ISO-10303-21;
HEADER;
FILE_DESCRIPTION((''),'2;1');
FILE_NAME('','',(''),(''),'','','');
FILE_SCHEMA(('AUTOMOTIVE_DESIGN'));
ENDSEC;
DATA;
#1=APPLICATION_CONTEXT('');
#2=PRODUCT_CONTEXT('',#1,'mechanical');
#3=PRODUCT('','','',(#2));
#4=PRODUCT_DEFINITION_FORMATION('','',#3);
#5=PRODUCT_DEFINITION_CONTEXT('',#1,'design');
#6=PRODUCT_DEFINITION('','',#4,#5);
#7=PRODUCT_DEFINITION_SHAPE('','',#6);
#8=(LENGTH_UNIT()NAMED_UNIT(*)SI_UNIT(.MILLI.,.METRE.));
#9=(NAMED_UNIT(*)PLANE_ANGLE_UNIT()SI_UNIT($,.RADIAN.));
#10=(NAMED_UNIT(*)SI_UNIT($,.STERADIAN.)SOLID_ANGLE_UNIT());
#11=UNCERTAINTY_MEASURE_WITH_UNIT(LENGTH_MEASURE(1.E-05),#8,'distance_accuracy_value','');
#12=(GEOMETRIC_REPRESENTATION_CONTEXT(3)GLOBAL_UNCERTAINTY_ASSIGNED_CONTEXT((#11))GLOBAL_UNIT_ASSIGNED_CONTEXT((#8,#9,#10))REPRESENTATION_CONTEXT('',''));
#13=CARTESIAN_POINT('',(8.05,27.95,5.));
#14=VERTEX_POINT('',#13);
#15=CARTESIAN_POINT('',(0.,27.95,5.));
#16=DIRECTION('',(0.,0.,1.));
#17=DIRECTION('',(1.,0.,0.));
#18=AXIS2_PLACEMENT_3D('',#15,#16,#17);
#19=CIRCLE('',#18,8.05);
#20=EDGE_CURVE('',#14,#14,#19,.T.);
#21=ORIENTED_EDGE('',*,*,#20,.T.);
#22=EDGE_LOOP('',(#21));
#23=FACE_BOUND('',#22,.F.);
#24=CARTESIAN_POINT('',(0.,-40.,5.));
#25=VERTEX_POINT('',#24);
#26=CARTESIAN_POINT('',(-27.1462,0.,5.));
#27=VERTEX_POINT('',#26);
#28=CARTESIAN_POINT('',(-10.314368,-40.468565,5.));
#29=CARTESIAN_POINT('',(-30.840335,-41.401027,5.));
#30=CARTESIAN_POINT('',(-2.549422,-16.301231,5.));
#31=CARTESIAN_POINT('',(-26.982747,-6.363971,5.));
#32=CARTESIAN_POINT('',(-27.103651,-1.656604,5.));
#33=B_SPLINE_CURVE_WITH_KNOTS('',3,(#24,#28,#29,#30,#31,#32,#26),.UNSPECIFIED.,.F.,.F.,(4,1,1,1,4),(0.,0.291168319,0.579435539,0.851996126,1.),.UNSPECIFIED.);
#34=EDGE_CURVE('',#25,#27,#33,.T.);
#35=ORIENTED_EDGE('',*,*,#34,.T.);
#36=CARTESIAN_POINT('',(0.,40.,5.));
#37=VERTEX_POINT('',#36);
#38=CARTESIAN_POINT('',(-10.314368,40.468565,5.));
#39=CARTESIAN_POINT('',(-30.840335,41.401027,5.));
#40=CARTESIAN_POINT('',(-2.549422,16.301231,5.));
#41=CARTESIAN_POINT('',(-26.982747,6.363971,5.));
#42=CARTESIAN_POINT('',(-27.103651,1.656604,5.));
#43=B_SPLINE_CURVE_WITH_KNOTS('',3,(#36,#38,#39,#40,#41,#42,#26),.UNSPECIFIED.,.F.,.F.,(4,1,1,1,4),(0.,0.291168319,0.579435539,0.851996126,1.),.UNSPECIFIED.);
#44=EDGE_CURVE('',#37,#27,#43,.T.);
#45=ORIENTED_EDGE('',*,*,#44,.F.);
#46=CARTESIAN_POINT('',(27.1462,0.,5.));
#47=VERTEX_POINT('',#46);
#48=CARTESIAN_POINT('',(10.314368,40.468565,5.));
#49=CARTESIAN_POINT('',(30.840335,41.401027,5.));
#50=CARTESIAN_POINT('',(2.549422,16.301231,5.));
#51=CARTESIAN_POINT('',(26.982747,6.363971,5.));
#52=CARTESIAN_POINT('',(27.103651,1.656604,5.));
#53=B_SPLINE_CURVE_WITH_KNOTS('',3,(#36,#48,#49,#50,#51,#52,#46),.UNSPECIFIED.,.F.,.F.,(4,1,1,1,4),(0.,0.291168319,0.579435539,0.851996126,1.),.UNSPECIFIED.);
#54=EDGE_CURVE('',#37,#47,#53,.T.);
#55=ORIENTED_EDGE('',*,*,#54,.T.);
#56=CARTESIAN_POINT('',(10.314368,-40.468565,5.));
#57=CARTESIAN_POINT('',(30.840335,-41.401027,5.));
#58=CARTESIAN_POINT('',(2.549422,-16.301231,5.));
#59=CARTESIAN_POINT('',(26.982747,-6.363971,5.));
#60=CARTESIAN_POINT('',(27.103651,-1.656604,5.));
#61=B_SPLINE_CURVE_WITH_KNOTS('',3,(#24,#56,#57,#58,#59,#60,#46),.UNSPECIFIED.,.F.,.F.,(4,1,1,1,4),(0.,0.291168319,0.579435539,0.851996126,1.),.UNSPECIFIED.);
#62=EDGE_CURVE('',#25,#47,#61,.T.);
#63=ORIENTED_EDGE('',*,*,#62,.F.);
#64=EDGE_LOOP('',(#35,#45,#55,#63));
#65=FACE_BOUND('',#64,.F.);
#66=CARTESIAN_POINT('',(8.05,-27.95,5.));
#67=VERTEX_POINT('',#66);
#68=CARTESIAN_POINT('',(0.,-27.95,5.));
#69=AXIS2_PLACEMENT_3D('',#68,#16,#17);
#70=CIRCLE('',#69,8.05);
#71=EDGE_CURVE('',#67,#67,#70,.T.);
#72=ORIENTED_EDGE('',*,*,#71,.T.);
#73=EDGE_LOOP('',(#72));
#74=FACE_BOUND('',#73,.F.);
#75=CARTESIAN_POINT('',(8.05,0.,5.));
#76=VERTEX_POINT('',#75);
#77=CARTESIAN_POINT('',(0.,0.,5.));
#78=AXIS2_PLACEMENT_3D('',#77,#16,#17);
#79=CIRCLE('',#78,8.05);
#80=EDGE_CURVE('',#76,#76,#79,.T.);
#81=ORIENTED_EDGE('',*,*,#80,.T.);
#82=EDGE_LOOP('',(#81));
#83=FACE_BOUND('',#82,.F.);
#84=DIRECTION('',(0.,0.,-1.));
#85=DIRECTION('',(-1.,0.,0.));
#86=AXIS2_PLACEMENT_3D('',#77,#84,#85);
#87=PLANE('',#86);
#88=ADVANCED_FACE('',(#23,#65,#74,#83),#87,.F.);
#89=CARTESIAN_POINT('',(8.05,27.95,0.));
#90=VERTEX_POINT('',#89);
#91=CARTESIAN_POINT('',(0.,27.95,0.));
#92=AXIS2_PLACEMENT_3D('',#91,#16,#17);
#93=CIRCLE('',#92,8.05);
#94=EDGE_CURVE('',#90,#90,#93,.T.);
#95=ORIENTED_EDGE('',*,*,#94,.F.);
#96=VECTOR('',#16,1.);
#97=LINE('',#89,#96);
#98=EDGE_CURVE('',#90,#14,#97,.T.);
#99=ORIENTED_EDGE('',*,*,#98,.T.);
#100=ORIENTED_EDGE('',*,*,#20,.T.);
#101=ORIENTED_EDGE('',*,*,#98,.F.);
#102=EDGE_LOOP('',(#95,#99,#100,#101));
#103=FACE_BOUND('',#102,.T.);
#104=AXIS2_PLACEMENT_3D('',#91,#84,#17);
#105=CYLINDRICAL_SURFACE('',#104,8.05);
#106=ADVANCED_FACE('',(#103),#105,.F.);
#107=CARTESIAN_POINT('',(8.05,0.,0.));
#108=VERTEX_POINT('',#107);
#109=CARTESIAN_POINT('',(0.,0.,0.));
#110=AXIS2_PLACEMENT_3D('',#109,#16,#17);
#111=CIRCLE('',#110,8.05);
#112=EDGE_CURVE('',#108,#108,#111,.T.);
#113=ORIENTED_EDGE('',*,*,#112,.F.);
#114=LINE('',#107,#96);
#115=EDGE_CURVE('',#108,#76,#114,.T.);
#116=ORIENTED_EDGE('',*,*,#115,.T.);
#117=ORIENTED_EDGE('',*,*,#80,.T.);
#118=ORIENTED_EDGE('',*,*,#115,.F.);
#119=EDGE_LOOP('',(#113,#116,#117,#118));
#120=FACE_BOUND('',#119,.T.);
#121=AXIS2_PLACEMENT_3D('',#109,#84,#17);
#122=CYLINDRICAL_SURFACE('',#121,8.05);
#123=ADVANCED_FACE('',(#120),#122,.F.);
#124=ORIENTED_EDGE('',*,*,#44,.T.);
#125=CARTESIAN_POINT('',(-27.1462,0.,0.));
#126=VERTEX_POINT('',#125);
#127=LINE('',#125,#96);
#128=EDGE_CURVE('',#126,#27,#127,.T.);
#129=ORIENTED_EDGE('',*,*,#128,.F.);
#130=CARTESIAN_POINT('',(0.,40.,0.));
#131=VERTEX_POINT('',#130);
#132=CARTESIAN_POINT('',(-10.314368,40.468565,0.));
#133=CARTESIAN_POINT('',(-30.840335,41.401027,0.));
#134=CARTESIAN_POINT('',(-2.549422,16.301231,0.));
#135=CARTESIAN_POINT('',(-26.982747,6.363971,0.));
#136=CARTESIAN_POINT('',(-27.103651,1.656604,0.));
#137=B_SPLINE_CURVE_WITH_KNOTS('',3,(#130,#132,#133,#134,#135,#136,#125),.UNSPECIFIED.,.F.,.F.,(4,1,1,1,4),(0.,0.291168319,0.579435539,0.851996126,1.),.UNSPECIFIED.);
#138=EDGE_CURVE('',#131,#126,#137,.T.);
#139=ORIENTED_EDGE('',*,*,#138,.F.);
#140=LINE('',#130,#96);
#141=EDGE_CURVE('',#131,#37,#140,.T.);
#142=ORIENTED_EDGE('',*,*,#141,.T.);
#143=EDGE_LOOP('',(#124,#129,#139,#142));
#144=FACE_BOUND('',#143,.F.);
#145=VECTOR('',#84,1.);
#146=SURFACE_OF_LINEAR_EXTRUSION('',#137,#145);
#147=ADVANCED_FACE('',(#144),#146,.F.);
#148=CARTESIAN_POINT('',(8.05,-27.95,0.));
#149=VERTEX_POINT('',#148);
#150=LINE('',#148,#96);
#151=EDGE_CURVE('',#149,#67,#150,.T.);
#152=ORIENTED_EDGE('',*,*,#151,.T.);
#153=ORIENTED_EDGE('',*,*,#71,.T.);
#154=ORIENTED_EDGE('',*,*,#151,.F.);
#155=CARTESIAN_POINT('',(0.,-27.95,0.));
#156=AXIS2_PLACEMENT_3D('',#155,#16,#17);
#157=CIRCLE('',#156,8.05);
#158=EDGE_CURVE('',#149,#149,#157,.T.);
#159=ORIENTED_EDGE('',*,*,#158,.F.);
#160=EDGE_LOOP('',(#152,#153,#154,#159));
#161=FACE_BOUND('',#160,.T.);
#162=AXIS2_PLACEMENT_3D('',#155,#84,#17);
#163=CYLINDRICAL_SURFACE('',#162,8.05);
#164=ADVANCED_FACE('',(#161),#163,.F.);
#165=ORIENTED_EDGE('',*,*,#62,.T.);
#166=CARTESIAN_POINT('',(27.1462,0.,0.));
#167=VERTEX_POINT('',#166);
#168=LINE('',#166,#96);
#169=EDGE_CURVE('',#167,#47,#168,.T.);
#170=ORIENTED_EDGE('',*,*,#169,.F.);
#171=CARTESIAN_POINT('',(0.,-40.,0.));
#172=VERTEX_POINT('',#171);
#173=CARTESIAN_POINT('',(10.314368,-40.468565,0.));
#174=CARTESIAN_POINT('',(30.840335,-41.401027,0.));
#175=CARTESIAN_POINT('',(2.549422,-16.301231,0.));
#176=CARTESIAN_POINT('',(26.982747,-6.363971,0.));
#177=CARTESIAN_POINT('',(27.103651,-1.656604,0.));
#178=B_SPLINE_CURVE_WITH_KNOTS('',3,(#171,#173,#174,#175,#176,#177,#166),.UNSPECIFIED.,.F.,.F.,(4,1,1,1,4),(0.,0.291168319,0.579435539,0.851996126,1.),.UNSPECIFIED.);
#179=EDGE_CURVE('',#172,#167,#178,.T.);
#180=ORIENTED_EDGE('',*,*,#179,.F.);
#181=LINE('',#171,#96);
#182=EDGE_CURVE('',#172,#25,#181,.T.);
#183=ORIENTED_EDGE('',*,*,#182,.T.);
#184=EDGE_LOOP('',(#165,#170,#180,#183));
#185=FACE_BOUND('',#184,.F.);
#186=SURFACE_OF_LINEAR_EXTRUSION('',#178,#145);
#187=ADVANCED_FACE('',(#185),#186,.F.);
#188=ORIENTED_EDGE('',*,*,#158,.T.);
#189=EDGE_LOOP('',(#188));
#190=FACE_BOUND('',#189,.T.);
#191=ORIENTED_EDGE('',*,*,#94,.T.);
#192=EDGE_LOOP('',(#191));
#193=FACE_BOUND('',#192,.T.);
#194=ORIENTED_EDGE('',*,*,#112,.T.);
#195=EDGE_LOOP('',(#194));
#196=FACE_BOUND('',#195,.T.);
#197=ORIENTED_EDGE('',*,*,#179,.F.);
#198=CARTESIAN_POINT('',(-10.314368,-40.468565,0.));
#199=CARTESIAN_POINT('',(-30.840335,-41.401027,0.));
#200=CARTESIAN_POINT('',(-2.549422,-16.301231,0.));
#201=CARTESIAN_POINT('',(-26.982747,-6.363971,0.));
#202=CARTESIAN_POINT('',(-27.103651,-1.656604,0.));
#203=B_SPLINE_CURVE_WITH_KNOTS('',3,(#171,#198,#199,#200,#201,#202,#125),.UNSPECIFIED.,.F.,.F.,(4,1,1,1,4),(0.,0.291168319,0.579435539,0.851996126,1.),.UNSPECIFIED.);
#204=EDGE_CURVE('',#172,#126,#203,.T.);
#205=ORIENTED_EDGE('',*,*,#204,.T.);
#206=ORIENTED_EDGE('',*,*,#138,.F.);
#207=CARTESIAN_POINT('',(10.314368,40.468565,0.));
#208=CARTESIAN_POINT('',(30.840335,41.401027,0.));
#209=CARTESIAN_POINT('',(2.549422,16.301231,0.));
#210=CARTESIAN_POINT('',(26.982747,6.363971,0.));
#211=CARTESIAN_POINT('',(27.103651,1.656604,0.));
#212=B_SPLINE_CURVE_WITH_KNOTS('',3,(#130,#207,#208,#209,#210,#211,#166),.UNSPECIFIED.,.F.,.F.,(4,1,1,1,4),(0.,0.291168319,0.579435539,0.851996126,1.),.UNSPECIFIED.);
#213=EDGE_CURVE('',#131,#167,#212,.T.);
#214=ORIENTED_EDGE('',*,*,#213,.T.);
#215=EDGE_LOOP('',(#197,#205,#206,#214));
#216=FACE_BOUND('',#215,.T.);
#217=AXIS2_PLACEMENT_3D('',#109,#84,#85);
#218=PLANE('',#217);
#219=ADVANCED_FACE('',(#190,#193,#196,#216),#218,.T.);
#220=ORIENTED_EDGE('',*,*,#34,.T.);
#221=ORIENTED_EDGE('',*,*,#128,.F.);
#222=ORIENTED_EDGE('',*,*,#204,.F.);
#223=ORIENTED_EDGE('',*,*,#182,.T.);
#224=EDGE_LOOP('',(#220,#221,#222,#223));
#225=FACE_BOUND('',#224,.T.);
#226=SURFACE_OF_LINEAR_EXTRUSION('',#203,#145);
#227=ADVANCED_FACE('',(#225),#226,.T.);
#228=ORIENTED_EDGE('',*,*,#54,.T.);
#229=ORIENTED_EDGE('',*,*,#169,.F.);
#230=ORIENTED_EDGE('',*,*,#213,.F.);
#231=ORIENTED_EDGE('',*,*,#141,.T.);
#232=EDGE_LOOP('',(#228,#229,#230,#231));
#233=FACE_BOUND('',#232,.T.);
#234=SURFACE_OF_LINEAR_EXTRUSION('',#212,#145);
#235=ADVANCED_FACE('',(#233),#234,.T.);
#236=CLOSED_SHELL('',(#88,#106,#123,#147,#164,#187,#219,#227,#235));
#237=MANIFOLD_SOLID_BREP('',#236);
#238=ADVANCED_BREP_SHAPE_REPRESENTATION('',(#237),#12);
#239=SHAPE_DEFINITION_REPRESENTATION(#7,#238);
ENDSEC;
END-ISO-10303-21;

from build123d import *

# Parameters (mm, degrees)
F0_R     = 16.05
F0_R_2   = 8.05
F1_DEPTH = 5
F2_DEPTH = 5


with BuildPart() as f1:
    # F0 (on Top) → F1 (new body)
    with BuildSketch(Plane.XY):
        Circle(F0_R)
        Circle(F0_R_2, mode=Mode.SUBTRACT)
    extrude(amount=F1_DEPTH)

    # F0 (on Top) → F2 (join)
    with BuildSketch(Plane.XY):
        with BuildLine():
            add(Edge.make_bspline(
                [(0, 40), (10.3143678116, 40.4685651622), (30.840334671, 41.4010268668), (2.5494223409, 16.301231422), (26.9827468064, 6.3639706727), (27.1036513336, 1.6566035326), (27.1461997181, 0)],
                knots=[0, 0, 0, 0, 0.2911683192, 0.5794355387, 0.8519961262, 1, 1, 1, 1], degree=3))
            add(Edge.make_bspline(
                [(0, 40), (-10.3143678116, 40.4685651622), (-30.840334671, 41.4010268668), (-2.5494223409, 16.301231422), (-26.9827468064, 6.3639706727), (-27.1036513336, 1.6566035326), (-27.1461997181, 0)],
                knots=[0, 0, 0, 0, 0.2911683192, 0.5794355387, 0.8519961262, 1, 1, 1, 1], degree=3))
            add(Edge.make_bspline(
                [(0, -40), (-10.3143678116, -40.4685651622), (-30.840334671, -41.4010268668), (-2.5494223409, -16.301231422), (-26.9827468064, -6.3639706727), (-27.1036513336, -1.6566035326), (-27.1461997181, 0)],
                knots=[0, 0, 0, 0, 0.2911683192, 0.5794355387, 0.8519961262, 1, 1, 1, 1], degree=3))
            add(Edge.make_bspline(
                [(0, -40), (10.3143678116, -40.4685651622), (30.840334671, -41.4010268668), (2.5494223409, -16.301231422), (26.9827468064, -6.3639706727), (27.1036513336, -1.6566035326), (27.1461997181, 0)],
                knots=[0, 0, 0, 0, 0.2911683192, 0.5794355387, 0.8519961262, 1, 1, 1, 1], degree=3))
        make_face()
        with Locations((0, -27.95)):
            Circle(F0_R_2, mode=Mode.SUBTRACT)
        Circle(F0_R, mode=Mode.SUBTRACT)
        with Locations((0, 27.95)):
            Circle(F0_R_2, mode=Mode.SUBTRACT)
    extrude(amount=F2_DEPTH)


solid = f1.part
